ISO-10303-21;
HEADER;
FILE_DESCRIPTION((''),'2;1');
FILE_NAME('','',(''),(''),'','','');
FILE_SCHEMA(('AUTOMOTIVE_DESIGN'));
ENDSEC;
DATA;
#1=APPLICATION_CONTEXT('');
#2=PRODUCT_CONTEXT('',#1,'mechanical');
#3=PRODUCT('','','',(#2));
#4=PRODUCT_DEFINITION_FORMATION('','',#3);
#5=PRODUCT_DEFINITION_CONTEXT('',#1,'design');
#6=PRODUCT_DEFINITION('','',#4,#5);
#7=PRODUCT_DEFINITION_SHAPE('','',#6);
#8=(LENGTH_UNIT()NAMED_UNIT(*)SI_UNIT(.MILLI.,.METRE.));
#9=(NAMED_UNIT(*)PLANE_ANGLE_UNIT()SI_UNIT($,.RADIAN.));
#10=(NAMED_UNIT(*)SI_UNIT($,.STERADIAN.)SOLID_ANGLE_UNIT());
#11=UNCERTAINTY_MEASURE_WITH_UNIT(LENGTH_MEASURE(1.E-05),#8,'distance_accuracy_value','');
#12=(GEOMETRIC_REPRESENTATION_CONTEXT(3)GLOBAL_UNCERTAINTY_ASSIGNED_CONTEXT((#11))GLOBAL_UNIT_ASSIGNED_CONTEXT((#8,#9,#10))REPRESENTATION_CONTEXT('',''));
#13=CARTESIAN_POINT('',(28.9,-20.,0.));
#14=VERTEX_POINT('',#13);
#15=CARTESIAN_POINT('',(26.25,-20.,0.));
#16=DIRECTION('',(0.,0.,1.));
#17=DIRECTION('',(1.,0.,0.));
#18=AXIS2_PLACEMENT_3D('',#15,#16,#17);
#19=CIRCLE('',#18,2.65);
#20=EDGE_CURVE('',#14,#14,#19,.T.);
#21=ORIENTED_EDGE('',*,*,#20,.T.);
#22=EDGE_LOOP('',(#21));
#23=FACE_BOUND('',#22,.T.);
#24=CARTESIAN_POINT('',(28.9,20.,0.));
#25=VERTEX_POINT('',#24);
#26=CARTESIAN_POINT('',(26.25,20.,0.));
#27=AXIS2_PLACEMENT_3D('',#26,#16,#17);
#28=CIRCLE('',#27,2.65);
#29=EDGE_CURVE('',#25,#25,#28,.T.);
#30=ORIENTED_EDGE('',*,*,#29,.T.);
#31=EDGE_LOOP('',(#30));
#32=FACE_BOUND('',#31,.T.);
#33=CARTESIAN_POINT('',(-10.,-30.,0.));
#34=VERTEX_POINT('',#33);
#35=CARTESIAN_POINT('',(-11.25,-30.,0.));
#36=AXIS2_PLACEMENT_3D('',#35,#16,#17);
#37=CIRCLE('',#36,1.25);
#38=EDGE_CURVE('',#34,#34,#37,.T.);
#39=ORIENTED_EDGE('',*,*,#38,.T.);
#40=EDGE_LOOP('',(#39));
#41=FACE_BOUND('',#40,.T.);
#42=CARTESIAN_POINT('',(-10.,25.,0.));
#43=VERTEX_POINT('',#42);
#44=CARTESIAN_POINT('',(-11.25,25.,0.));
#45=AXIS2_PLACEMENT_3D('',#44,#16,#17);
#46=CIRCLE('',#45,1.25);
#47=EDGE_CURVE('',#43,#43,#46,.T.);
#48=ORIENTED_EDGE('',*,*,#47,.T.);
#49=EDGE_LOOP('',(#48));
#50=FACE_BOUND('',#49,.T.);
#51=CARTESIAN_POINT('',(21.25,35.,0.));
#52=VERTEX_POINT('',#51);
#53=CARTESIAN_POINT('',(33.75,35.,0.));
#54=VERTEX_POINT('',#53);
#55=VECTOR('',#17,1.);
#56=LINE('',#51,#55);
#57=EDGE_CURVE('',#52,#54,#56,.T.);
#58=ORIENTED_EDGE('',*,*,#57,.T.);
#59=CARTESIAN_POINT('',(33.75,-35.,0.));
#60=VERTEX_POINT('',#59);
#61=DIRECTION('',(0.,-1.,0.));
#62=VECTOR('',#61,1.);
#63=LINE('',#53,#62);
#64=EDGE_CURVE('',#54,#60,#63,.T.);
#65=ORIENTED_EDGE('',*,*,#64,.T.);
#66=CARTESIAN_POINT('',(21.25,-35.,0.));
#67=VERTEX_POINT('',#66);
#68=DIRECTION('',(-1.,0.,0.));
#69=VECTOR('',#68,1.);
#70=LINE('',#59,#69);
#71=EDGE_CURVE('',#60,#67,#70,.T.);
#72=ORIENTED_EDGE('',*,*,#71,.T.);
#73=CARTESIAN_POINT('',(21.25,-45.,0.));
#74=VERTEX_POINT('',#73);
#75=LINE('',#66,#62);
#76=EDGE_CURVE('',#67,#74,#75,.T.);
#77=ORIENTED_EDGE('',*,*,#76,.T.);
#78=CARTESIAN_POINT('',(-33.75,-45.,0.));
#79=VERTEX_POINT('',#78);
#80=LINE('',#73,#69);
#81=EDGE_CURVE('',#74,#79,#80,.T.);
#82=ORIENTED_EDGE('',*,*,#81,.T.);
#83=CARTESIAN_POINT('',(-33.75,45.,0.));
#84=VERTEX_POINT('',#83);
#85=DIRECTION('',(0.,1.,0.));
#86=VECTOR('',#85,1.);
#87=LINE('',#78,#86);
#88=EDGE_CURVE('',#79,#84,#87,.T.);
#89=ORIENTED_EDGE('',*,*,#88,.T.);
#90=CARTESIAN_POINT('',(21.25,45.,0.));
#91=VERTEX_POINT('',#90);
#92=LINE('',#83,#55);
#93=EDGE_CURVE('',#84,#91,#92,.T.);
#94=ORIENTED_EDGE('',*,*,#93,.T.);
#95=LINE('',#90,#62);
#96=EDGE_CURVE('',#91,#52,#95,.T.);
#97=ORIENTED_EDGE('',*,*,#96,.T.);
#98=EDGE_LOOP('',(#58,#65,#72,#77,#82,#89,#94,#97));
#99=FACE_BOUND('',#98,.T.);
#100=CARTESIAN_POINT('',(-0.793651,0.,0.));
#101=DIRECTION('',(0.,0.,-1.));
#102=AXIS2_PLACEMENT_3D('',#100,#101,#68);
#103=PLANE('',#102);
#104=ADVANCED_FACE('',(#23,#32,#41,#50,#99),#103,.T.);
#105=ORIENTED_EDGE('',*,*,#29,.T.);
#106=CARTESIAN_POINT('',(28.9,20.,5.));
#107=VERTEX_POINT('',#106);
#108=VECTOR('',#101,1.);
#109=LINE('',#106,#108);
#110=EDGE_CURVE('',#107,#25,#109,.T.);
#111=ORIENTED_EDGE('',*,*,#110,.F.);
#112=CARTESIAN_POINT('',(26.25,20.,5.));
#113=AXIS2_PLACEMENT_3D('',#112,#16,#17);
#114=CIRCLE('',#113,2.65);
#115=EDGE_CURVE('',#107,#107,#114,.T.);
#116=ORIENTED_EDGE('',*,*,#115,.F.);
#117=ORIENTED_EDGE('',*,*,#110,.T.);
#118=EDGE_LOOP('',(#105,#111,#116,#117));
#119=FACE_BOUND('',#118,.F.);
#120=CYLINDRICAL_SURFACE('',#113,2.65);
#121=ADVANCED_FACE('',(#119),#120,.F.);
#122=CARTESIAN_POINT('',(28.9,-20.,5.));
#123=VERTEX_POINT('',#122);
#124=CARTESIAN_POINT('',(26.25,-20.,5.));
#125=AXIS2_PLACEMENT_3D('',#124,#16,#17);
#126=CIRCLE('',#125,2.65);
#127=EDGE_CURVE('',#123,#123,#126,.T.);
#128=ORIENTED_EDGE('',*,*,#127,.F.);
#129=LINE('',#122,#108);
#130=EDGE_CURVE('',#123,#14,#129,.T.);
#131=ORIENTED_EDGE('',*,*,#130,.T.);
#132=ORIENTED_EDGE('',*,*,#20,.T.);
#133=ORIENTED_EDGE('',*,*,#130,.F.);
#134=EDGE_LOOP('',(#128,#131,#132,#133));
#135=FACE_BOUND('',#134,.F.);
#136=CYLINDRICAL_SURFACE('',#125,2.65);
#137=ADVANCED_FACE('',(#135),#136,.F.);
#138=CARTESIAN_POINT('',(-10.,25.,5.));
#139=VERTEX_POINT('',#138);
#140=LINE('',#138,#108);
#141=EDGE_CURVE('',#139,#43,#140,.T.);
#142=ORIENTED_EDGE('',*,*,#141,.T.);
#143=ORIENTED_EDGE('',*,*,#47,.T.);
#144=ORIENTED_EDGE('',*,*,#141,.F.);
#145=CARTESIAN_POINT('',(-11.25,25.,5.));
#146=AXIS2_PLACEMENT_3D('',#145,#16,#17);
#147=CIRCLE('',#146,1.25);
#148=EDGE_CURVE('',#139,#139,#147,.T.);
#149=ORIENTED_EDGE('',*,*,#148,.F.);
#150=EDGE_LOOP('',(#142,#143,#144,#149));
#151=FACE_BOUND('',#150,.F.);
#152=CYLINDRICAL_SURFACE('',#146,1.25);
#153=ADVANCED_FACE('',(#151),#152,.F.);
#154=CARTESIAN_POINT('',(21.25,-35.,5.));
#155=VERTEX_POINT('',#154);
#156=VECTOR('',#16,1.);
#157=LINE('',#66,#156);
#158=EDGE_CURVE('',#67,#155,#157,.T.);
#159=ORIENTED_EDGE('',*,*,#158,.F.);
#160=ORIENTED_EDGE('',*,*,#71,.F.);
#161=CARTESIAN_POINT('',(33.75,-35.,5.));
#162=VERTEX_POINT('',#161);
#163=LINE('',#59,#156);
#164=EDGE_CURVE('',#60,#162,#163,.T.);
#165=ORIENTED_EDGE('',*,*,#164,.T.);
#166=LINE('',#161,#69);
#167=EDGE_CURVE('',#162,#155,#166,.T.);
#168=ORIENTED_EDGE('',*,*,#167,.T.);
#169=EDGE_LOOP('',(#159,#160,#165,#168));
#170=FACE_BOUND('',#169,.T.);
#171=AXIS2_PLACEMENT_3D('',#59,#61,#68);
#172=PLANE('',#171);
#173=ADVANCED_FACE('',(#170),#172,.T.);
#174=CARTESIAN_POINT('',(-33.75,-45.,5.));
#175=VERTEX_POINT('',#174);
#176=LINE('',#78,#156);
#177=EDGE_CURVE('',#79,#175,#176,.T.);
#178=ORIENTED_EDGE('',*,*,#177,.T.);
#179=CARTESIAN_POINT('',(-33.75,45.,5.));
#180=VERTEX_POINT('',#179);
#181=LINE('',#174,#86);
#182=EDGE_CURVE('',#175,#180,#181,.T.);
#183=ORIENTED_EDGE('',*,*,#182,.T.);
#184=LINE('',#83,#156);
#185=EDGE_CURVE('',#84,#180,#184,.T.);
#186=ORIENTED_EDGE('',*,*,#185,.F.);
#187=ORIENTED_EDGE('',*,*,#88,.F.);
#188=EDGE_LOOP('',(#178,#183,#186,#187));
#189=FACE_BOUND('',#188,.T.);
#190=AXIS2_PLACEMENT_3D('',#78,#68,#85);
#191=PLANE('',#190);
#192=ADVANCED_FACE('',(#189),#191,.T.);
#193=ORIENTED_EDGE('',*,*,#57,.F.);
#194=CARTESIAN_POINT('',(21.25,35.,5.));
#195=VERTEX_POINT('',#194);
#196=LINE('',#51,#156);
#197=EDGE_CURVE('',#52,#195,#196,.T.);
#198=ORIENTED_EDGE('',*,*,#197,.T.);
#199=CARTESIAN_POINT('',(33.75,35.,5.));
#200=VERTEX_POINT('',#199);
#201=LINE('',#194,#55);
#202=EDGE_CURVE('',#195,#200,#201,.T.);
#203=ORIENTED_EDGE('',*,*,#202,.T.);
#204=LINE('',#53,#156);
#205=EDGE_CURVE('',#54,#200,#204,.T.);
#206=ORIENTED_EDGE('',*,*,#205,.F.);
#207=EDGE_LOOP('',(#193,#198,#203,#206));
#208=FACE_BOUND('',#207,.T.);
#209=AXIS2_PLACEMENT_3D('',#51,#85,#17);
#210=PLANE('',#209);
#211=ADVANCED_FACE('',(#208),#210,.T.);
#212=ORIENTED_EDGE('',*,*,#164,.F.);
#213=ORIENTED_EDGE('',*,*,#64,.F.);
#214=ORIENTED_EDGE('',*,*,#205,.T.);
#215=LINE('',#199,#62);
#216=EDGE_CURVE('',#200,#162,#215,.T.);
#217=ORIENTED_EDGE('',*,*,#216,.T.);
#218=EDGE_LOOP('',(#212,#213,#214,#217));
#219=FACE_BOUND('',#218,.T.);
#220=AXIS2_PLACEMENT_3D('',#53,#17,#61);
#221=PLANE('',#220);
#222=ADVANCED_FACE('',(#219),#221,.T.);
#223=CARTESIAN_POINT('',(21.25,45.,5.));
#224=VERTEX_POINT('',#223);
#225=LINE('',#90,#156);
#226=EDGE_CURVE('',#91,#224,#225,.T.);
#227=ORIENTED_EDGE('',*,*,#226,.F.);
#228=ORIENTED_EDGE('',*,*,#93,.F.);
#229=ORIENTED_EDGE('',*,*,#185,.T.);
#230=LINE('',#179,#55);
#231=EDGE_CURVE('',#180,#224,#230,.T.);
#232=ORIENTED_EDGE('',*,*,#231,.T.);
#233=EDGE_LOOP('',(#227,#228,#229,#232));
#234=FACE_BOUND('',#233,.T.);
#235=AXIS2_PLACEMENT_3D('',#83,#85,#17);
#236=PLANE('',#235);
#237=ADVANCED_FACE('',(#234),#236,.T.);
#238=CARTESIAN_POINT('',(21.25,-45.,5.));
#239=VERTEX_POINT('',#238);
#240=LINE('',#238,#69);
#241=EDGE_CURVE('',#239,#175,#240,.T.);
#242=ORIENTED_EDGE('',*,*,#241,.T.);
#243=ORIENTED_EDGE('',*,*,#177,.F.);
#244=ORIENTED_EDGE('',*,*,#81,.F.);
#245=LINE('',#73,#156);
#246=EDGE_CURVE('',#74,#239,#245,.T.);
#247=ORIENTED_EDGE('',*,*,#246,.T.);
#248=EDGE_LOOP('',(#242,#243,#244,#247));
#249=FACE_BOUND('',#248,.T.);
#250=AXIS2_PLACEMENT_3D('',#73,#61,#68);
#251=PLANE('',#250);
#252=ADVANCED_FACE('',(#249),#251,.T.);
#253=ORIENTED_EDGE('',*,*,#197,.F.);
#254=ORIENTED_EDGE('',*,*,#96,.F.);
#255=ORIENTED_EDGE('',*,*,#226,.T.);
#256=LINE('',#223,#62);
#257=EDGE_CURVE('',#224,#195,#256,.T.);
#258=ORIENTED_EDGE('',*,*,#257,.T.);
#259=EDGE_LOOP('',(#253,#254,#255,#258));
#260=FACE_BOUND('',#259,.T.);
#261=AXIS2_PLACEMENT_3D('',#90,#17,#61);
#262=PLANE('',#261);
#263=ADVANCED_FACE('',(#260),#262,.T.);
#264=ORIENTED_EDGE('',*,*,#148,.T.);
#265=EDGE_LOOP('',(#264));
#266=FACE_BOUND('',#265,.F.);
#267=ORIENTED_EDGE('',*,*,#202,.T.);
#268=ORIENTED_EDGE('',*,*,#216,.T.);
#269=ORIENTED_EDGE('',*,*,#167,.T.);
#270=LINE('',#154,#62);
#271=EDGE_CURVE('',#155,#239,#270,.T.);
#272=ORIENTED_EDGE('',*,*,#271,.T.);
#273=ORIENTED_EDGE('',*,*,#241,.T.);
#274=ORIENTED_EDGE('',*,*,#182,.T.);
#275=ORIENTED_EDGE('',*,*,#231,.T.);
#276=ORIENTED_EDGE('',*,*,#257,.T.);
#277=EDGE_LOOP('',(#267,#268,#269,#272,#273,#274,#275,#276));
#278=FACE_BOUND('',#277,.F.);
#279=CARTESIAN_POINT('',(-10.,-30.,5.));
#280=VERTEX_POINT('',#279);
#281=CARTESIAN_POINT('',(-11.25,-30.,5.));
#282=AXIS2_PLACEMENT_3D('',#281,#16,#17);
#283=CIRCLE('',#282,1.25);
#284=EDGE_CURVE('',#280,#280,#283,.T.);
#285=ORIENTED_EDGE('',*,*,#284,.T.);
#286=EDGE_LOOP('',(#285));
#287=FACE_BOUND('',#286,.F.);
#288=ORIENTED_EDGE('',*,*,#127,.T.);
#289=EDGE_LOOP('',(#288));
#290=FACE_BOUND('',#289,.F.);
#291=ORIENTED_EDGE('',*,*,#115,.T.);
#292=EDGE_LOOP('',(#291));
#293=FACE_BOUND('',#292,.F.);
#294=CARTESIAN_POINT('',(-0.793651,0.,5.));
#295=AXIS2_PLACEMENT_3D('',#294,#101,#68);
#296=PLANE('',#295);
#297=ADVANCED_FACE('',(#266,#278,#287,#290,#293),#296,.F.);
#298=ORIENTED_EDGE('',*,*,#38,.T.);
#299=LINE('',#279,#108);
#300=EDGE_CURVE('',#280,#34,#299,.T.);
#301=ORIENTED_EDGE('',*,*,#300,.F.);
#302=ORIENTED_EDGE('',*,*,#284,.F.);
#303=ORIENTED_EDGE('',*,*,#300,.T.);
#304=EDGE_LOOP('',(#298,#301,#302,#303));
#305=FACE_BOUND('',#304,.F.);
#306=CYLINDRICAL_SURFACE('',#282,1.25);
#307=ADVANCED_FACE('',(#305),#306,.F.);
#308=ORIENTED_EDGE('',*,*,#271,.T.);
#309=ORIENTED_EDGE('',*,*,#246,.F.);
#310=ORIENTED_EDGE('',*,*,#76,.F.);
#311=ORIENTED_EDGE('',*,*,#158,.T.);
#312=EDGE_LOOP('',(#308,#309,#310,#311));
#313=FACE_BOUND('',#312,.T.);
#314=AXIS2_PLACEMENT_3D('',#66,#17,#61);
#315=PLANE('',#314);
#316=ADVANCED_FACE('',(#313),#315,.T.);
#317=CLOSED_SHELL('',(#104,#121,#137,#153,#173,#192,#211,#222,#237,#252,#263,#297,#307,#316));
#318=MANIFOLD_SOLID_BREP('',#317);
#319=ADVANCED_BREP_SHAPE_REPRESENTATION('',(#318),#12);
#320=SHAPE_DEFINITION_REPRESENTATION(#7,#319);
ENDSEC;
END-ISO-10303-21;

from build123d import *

# Parameters (mm, degrees)
PAD_DEPTH       = 5
SKETCH001_R     = 1.25
POCKET_DEPTH    = 5
SKETCH002_R     = 2.65
POCKET001_DEPTH = 5


with BuildPart() as part:
    # Sketch → Pad (new body)
    with BuildSketch(Plane.XY):
        Polygon((-33.75, -45), (-33.75, 45), (21.25, 45), (21.25, 35), (33.75, 35), (33.75, -35), (21.25, -35), (21.25, -45), align=None)
    extrude(amount=PAD_DEPTH)

    # Sketch001 (on Face10 of Pad) → Pocket (cut)
    with BuildSketch(Plane.XY.offset(5)):
        with Locations((-11.25, 25)):
            Circle(SKETCH001_R)
        with Locations((-11.25, -30)):
            Circle(SKETCH001_R)
    extrude(amount=-POCKET_DEPTH, mode=Mode.SUBTRACT)

    # Sketch002 (on Face5 of Pocket) → Pocket001 (cut)
    with BuildSketch(Plane.XY.offset(5)):
        with Locations((26.25, 20)):
            Circle(SKETCH002_R)
        with Locations((26.25, -20)):
            Circle(SKETCH002_R)
    extrude(amount=-POCKET001_DEPTH, mode=Mode.SUBTRACT)


solid = part.part
